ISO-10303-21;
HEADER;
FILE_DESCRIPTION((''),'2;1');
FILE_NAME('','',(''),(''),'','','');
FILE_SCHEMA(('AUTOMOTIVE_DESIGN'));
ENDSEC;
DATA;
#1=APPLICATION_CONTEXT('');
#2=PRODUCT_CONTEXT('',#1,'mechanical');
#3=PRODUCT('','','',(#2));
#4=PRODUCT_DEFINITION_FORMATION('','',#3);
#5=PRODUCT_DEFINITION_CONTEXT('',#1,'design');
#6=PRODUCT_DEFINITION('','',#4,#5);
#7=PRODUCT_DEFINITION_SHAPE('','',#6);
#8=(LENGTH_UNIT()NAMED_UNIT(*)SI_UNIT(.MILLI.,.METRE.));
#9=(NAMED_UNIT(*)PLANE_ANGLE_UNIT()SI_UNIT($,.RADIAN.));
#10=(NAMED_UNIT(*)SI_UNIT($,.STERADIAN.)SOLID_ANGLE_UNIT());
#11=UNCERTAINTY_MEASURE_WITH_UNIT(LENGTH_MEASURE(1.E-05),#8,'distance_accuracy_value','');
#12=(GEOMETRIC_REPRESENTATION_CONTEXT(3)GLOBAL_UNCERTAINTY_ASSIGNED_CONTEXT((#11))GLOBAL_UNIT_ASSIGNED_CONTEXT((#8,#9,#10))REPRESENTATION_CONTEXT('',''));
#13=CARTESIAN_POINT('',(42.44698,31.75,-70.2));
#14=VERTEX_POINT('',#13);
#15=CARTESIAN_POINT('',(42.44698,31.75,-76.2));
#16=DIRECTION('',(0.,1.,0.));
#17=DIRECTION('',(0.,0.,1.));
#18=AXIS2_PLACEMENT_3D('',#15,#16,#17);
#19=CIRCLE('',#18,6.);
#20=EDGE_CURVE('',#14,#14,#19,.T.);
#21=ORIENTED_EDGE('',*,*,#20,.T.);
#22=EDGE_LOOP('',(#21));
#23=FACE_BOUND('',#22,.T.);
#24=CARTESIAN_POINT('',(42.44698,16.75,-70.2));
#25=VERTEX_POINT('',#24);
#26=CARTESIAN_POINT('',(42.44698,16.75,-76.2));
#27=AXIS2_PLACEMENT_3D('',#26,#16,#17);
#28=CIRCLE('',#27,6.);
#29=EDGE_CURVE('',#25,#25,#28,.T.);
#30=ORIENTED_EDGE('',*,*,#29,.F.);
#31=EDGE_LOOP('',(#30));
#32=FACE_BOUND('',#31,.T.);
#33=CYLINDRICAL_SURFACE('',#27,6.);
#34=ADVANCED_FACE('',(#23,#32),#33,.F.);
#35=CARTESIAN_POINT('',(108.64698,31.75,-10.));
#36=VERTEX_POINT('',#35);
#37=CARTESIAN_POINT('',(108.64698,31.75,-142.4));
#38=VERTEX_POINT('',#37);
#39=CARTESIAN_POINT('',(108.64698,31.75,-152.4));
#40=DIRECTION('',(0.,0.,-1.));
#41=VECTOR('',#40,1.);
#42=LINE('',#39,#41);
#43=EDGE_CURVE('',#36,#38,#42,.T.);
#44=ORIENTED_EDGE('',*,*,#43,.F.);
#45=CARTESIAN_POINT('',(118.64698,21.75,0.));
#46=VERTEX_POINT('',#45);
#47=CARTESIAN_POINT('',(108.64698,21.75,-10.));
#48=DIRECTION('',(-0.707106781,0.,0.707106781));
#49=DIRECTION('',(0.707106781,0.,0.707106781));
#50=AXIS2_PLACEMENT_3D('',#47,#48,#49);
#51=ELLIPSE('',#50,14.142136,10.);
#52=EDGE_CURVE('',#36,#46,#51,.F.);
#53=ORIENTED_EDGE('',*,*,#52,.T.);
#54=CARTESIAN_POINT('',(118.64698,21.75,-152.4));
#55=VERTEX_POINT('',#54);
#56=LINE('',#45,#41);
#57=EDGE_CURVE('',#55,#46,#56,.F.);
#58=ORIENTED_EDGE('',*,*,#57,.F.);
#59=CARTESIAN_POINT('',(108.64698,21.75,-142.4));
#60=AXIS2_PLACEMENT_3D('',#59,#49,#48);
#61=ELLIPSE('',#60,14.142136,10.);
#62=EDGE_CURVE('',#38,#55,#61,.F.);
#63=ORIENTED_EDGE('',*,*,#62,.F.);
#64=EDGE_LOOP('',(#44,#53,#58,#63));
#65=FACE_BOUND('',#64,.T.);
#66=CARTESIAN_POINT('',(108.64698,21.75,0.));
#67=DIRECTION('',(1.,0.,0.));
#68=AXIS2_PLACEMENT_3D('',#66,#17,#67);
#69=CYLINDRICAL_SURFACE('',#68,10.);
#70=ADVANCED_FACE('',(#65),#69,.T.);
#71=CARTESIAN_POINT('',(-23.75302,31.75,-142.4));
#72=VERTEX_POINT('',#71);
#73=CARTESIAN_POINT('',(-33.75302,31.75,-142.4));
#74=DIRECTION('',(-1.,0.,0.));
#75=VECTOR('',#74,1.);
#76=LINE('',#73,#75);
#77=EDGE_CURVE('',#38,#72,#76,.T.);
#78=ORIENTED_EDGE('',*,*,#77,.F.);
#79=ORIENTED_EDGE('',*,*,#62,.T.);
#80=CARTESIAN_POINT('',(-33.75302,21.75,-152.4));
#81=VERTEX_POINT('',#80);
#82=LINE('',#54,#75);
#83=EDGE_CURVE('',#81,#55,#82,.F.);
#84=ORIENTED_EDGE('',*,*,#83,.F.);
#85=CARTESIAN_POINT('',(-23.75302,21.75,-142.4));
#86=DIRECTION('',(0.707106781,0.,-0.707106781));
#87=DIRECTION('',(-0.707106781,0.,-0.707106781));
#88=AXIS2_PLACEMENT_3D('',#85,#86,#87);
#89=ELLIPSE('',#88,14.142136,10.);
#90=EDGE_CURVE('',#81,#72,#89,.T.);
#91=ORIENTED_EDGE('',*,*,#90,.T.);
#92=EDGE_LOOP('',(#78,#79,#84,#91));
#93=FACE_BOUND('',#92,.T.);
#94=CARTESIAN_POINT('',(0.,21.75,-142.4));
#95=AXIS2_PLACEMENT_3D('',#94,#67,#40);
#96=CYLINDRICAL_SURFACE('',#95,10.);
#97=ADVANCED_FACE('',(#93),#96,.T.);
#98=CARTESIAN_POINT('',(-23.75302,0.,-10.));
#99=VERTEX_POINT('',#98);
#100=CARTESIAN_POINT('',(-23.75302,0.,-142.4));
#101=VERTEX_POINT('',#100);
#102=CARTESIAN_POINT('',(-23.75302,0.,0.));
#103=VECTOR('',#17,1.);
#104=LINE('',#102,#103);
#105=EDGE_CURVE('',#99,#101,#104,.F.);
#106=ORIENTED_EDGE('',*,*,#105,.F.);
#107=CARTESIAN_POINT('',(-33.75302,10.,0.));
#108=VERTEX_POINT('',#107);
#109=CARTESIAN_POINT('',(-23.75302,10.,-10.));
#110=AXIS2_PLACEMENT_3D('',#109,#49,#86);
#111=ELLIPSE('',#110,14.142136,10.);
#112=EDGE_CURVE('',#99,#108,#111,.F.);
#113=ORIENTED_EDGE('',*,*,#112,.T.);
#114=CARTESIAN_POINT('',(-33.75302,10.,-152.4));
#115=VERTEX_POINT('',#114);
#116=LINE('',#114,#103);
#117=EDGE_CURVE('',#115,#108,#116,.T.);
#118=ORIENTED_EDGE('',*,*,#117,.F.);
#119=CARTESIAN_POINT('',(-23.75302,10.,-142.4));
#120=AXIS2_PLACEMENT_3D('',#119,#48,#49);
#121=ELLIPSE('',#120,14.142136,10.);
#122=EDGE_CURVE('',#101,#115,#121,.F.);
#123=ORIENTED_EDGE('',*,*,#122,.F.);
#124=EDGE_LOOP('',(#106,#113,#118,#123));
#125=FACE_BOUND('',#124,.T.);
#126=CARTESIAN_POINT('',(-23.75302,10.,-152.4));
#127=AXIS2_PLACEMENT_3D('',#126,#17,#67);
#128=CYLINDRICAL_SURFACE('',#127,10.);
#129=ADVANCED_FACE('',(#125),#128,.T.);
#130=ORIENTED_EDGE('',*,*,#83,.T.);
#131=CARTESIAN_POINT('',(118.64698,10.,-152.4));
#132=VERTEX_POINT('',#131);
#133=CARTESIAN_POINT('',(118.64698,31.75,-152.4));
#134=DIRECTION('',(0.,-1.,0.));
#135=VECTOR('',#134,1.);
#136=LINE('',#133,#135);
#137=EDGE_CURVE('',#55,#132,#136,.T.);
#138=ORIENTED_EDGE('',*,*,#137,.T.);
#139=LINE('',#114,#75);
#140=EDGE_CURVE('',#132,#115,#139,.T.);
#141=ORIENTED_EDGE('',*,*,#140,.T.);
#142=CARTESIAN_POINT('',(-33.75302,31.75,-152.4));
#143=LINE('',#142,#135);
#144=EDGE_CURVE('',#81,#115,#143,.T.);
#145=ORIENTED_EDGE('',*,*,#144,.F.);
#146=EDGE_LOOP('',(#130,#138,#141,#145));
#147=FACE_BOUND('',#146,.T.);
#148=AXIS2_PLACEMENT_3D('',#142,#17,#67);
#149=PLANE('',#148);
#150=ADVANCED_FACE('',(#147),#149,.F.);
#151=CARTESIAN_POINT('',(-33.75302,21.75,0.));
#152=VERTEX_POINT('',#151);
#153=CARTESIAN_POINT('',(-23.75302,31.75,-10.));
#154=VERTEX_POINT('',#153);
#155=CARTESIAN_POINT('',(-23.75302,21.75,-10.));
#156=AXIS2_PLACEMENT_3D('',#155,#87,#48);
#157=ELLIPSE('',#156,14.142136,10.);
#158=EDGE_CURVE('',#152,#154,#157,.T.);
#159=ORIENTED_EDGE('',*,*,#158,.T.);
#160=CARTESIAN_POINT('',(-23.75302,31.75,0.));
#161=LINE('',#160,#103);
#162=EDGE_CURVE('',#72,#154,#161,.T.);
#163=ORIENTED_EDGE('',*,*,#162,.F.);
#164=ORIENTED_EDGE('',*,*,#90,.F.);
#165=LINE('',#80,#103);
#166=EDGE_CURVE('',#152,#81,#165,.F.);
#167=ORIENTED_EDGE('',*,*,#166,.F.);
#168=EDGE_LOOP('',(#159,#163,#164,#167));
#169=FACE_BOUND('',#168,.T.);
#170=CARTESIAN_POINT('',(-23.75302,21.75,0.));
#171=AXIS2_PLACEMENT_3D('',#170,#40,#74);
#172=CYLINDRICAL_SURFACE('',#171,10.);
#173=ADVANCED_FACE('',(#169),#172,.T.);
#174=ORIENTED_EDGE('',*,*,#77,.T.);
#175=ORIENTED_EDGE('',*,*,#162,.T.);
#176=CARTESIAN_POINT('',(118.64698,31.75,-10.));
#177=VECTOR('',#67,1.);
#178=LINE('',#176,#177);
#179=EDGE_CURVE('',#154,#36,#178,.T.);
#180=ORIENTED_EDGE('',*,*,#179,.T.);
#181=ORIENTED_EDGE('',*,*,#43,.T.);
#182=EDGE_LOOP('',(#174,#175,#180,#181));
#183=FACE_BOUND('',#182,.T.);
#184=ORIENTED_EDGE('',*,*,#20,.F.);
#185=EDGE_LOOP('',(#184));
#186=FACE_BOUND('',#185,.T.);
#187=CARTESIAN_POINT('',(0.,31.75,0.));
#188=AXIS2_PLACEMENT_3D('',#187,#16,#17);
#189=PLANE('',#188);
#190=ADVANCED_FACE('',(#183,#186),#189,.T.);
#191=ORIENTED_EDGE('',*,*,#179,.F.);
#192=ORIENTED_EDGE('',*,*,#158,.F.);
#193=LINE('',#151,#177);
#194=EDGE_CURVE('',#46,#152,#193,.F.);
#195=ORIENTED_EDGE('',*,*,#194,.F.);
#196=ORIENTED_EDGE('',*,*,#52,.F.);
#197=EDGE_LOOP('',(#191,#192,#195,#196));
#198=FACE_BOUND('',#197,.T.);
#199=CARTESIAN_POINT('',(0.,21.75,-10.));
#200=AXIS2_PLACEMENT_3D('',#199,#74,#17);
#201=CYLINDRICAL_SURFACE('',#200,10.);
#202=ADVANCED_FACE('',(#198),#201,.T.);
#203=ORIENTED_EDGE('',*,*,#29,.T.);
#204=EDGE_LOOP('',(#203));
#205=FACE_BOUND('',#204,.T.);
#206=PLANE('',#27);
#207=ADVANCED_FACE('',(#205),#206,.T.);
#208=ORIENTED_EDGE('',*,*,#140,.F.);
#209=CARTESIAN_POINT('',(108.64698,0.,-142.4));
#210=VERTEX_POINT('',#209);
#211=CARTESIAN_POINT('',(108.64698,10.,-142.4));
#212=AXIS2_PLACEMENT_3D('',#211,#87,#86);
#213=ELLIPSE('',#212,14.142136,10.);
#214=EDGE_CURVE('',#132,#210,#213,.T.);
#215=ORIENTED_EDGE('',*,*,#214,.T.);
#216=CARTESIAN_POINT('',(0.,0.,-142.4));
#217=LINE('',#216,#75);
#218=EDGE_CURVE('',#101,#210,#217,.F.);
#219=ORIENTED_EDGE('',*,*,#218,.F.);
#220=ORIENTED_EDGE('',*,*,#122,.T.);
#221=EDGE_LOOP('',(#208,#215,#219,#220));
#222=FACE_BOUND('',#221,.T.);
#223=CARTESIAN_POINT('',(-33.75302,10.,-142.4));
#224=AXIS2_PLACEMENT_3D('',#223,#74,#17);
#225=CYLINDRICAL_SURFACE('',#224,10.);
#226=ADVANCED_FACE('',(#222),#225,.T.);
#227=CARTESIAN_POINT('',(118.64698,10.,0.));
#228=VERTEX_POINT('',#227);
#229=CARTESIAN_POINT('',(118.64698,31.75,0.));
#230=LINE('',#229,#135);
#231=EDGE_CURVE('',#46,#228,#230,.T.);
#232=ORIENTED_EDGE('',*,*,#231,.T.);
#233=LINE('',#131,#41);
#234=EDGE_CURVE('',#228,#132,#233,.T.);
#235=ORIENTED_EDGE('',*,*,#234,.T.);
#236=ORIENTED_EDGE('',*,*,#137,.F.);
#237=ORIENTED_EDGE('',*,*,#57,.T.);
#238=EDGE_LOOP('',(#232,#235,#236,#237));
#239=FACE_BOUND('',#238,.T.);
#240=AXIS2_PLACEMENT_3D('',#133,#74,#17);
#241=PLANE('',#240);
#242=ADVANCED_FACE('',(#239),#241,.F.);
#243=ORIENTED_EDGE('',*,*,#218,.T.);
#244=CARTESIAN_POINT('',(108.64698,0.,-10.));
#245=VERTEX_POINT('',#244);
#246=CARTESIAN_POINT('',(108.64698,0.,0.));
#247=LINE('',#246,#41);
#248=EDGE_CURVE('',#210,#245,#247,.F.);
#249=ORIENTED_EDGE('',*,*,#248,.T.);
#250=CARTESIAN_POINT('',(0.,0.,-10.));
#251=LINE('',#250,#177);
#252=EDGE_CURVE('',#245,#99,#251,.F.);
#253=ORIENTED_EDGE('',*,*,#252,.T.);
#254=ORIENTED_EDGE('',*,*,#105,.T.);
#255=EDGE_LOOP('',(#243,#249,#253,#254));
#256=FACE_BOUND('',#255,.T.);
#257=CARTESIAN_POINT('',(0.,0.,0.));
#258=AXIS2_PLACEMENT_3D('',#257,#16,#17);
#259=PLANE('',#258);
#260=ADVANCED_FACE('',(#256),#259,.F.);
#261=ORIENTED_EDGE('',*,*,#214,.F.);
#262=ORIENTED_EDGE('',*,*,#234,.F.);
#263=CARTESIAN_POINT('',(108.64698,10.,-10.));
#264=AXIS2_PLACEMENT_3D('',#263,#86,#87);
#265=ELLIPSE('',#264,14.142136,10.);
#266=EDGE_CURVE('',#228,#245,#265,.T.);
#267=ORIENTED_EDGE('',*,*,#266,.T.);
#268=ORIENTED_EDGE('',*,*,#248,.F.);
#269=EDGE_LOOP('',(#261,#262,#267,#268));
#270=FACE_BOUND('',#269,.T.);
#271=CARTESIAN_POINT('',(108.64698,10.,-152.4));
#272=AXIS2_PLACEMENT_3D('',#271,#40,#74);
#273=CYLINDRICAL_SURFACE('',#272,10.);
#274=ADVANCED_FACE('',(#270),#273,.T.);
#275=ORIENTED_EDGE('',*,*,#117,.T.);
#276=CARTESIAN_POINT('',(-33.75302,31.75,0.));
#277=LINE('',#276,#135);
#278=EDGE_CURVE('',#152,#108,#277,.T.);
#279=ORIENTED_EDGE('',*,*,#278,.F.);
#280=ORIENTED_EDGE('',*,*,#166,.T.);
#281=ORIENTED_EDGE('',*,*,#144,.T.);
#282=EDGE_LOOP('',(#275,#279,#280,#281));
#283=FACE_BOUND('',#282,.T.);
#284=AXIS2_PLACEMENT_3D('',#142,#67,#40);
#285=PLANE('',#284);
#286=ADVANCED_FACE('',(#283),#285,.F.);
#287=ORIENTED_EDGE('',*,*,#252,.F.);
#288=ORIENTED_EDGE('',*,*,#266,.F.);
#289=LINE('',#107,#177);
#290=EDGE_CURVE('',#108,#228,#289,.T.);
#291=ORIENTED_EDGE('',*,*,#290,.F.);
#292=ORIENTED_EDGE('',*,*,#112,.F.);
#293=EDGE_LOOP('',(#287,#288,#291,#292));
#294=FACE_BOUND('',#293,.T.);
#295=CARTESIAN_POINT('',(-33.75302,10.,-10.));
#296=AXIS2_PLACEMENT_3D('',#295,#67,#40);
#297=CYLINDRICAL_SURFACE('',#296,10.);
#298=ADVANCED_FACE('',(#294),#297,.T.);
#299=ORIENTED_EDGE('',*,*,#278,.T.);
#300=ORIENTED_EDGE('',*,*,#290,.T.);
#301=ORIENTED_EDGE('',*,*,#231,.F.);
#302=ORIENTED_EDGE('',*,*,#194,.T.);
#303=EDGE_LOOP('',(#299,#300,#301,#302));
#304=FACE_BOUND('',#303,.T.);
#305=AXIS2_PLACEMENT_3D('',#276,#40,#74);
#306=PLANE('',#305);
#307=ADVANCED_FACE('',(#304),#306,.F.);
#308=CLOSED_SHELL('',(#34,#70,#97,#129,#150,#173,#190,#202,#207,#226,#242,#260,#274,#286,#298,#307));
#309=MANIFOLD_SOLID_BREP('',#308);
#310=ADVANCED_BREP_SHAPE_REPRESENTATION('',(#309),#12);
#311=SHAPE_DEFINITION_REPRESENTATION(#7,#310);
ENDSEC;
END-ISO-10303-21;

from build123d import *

# Parameters (mm, degrees)
SKETCH1_W           = 152.4
SKETCH1_H           = 152.4
BOSS_EXTRUDE1_DEPTH = 31.75
SKETCH2_R           = 6
CUT_EXTRUDE1_DEPTH  = 15
FILLET1_R           = 10
FILLET2_R           = 10


with BuildPart() as part:
    # Sketch1 → Boss-Extrude1 (new body)
    with BuildSketch(Plane(origin=(0, 0, 0), x_dir=(1, 0, 0), z_dir=(0, 1, 0))):
        with Locations((42.446979866, 76.2)):
            Rectangle(SKETCH1_W, SKETCH1_H)
    extrude(amount=BOSS_EXTRUDE1_DEPTH)

    # Sketch2 → Cut-Extrude1 (cut)
    with BuildSketch(Plane(origin=(0, 31.75, 0), x_dir=(1, 0, 0), z_dir=(0, 1, 0))):
        with Locations(Location((42.446979866, 76.2, 0), (0, 0, 270))):
            Circle(SKETCH2_R)
    extrude(amount=-CUT_EXTRUDE1_DEPTH, mode=Mode.SUBTRACT)

    # Fillet1
    fillet1_edges = [part.edges().sort_by_distance(p)[0] for p in [
        (118.646979866, 31.75, -76.2),
        (42.446979866, 31.75, -152.4),
        (-33.753020134, 31.75, -76.2),
        (42.446979866, 31.75, 0),
    ]]
    fillet(fillet1_edges, radius=FILLET1_R)

    # Fillet2
    fillet2_edges = [part.edges().sort_by_distance(p)[0] for p in [
        (42.446979866, 0, -152.4),
        (118.646979866, 0, -76.2),
        (42.446979866, 0, 0),
        (-33.753020134, 0, -76.2),
    ]]
    fillet(fillet2_edges, radius=FILLET2_R)


solid = part.part
